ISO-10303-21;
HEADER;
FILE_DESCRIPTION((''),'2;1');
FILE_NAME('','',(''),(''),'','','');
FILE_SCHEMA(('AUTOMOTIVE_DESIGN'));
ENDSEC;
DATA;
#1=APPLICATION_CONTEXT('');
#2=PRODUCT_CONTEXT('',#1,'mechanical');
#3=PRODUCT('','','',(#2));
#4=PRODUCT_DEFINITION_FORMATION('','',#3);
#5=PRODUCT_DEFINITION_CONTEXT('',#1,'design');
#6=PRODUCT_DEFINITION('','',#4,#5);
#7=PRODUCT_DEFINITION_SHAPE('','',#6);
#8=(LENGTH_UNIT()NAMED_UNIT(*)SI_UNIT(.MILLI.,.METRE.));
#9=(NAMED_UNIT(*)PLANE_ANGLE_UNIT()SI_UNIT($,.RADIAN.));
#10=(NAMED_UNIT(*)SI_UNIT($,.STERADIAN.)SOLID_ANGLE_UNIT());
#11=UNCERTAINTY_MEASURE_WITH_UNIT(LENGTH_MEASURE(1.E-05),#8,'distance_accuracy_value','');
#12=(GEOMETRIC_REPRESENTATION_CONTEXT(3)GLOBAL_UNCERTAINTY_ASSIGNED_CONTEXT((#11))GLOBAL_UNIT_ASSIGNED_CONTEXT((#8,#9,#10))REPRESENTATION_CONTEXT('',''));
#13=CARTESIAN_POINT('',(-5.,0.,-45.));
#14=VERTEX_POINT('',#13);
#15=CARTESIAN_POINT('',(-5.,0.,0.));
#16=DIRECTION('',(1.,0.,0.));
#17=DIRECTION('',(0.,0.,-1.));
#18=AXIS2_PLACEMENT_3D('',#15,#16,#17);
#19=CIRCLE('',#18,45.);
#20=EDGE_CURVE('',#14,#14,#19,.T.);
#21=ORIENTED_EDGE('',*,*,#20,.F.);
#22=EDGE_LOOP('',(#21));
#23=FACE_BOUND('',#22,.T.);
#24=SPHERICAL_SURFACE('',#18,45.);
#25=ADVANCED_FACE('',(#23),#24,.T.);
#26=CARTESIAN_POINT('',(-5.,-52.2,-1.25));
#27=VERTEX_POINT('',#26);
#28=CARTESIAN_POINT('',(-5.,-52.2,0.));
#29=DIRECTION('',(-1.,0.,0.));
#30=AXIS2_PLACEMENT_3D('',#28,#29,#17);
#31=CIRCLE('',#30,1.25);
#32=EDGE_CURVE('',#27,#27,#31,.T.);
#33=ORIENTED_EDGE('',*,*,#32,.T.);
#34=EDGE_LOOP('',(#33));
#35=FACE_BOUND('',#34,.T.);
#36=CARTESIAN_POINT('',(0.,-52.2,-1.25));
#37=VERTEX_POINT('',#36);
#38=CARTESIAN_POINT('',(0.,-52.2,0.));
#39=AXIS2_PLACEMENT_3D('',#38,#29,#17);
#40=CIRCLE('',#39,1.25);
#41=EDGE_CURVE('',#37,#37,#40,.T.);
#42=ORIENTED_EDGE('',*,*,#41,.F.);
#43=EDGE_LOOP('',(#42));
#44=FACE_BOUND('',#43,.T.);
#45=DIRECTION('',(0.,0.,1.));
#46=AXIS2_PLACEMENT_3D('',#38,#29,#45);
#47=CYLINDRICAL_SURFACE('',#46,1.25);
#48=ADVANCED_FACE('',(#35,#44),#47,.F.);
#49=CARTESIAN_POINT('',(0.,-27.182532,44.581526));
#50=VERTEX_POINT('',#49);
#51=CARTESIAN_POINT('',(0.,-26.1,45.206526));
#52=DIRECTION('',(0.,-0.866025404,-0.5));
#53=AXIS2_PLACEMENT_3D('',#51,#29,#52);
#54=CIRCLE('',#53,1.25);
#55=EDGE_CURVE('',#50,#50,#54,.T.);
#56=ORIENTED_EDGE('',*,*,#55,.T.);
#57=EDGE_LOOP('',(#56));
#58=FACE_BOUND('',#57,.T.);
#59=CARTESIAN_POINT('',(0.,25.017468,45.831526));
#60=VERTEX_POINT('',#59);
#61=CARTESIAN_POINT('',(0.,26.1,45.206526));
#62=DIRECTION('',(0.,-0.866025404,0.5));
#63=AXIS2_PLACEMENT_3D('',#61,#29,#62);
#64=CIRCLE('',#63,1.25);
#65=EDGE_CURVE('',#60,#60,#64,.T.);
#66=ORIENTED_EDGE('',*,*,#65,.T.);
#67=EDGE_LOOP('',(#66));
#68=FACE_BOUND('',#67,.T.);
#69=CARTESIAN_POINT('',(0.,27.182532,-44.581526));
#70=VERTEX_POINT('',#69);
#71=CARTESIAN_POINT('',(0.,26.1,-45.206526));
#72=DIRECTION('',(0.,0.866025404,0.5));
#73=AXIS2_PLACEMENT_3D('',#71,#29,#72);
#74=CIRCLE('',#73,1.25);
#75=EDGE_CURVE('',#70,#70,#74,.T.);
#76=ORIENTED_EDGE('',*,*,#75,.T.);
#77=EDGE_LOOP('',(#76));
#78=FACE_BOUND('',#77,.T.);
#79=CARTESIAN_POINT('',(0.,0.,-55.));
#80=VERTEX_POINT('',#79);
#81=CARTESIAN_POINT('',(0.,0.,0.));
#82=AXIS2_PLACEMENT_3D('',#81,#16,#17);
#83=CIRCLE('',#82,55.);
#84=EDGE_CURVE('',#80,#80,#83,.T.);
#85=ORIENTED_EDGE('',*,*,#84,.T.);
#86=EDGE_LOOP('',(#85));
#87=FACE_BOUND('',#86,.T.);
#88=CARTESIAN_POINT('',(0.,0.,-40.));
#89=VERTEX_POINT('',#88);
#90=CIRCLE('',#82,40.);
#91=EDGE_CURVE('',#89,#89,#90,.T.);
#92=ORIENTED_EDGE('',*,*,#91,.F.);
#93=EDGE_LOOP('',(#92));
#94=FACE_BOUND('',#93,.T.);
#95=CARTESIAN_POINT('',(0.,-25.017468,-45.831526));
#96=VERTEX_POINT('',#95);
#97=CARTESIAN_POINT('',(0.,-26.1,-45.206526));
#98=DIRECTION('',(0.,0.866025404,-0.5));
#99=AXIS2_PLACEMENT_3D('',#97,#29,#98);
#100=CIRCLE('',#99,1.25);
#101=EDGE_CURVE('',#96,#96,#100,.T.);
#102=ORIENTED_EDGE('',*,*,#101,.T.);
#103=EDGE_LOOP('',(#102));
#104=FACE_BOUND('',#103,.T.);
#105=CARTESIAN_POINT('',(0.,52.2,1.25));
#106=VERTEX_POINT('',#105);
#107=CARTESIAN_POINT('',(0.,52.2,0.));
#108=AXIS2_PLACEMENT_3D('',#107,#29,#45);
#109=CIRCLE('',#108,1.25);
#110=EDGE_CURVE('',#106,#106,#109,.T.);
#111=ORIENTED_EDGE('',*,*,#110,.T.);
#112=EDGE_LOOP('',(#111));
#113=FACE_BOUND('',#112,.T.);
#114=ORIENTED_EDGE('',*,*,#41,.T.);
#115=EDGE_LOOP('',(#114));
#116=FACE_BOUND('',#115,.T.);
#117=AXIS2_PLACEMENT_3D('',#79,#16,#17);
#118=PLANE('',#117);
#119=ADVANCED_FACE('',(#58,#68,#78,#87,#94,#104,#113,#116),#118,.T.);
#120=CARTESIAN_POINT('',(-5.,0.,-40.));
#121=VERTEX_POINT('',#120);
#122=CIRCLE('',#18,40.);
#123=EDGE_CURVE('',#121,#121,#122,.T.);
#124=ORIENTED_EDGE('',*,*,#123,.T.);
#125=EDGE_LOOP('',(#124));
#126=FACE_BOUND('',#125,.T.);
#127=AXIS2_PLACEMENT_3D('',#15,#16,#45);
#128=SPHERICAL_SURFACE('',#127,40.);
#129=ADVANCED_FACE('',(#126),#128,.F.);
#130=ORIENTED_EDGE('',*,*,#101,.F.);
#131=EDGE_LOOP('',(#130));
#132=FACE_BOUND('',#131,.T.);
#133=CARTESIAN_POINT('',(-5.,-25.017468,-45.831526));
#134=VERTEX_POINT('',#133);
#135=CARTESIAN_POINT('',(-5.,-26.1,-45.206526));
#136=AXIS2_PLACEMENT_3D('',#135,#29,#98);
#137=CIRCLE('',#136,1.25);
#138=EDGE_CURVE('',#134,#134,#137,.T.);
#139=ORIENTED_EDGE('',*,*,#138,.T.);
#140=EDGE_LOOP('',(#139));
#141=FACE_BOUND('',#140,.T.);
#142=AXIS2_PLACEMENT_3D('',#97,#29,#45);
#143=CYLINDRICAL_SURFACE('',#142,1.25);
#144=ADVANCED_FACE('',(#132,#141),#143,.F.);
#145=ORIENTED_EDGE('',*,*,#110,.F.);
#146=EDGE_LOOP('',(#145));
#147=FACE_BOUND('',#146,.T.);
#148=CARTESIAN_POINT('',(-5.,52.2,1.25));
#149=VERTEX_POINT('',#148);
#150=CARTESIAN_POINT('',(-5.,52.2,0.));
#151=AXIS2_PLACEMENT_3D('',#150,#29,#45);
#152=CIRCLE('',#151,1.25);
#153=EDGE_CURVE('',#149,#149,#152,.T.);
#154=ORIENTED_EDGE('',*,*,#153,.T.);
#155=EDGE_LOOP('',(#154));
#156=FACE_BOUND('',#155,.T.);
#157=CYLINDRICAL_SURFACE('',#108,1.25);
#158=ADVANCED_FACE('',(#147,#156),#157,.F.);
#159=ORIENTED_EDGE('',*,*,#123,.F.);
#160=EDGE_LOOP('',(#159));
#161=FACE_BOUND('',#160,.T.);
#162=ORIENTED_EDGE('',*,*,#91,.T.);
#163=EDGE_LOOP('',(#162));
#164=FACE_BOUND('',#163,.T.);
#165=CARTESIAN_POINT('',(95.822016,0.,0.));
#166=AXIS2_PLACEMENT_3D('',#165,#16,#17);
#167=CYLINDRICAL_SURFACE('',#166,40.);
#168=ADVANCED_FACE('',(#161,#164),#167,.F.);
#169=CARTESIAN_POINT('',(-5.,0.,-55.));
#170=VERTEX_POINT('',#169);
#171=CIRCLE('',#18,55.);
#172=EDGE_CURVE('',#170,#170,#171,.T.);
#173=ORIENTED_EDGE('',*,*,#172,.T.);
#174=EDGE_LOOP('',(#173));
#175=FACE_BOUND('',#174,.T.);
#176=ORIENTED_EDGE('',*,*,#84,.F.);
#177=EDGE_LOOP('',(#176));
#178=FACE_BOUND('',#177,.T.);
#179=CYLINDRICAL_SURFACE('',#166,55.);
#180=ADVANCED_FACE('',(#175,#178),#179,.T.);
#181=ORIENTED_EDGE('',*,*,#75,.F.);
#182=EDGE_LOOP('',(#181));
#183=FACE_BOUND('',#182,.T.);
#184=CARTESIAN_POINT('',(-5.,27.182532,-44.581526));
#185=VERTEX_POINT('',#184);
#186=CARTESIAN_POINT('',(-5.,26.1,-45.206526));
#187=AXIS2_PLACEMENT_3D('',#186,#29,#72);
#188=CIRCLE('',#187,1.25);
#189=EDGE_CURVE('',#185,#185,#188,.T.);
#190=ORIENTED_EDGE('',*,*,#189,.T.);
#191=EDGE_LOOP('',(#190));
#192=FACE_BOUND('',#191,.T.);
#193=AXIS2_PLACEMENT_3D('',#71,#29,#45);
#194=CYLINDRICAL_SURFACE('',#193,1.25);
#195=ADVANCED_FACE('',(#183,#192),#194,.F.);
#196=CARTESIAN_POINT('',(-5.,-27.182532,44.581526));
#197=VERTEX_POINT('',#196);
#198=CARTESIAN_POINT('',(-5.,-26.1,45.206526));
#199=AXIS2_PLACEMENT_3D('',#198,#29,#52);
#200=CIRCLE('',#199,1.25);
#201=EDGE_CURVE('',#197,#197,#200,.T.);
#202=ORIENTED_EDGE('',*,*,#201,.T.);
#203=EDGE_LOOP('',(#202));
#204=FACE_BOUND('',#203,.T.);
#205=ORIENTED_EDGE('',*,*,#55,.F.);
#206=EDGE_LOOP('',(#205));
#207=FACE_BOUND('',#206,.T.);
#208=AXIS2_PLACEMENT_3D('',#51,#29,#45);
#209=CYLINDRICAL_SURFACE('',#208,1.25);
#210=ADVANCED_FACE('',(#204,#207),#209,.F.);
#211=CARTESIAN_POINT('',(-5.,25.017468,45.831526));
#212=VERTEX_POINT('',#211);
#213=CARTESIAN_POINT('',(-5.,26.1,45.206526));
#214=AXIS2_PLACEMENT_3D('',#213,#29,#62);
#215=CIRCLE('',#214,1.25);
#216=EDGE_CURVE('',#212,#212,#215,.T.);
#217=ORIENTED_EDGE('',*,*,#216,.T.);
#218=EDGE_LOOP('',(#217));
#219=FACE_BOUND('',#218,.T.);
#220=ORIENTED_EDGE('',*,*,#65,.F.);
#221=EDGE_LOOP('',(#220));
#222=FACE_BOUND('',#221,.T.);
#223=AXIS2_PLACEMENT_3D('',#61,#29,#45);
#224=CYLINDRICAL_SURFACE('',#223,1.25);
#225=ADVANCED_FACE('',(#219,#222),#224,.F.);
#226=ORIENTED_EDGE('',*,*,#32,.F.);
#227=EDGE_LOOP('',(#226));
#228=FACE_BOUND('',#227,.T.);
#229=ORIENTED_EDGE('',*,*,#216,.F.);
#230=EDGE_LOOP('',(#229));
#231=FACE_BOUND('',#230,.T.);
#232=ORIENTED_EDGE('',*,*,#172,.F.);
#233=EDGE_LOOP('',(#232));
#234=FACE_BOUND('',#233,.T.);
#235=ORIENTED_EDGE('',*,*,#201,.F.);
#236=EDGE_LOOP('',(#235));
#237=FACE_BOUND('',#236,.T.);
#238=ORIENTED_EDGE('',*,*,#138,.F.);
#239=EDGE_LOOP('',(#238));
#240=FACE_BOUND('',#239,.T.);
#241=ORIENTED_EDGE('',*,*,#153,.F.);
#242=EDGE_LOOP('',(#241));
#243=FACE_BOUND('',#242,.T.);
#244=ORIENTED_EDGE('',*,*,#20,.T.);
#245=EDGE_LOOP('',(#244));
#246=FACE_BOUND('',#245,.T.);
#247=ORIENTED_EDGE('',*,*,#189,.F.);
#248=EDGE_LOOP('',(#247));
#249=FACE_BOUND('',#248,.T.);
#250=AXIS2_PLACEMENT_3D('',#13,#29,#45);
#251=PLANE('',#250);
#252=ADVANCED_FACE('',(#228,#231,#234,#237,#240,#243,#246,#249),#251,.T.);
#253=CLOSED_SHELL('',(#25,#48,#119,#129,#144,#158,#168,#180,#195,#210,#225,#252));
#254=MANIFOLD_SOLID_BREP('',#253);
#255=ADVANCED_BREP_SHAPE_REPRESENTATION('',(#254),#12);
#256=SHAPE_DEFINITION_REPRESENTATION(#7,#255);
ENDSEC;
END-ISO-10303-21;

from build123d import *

# Parameters (mm, degrees)
SKETCH_4_R               = 1.25
CUT_EXTRUDE_1_DEPTH      = 6
PATTERN_CIRCULAR_1_COUNT = 6


with BuildPart() as part:
    # 草图2 → 旋转1 (revolve)
    with BuildSketch(Plane(origin=(0, 0, 0), x_dir=(1, 0, 0), z_dir=(0, 1, 0))):
        with BuildLine():
            Line((-45, 0), (-50, 0))
            ThreePointArc((-50, 0), (-36.819805153, 31.819805153), (-5, 45))
            Line((-5, 45), (-5, 55))
            Line((-5, 55), (0, 55))
            Line((0, 55), (0, 40))
            Line((0, 40), (-5, 40))
            ThreePointArc((-5, 40), (-33.284271247, 28.284271247), (-45, 0))
        make_face()
    revolve(axis=Axis((95.822015525, 0, 0), (-1, 0, 0)))

    # 草图4 → 切除-拉伸1 (cut, through all)
    with BuildSketch(Plane.ZY.offset(5)):
        with Locations((0, 52.2)):
            Circle(SKETCH_4_R)
    cut_extrude_1 = extrude(amount=-CUT_EXTRUDE_1_DEPTH, mode=Mode.SUBTRACT)

    # 阵列(圆周)1: 切除-拉伸1 ×6 about axis
    pattern_circular_1_axis = Axis((0, 0, 0), (1, 0, 0))
    for i in range(1, PATTERN_CIRCULAR_1_COUNT):
        add(cut_extrude_1.rotate(pattern_circular_1_axis, i * 360 / PATTERN_CIRCULAR_1_COUNT), mode=Mode.SUBTRACT)


solid = part.part
